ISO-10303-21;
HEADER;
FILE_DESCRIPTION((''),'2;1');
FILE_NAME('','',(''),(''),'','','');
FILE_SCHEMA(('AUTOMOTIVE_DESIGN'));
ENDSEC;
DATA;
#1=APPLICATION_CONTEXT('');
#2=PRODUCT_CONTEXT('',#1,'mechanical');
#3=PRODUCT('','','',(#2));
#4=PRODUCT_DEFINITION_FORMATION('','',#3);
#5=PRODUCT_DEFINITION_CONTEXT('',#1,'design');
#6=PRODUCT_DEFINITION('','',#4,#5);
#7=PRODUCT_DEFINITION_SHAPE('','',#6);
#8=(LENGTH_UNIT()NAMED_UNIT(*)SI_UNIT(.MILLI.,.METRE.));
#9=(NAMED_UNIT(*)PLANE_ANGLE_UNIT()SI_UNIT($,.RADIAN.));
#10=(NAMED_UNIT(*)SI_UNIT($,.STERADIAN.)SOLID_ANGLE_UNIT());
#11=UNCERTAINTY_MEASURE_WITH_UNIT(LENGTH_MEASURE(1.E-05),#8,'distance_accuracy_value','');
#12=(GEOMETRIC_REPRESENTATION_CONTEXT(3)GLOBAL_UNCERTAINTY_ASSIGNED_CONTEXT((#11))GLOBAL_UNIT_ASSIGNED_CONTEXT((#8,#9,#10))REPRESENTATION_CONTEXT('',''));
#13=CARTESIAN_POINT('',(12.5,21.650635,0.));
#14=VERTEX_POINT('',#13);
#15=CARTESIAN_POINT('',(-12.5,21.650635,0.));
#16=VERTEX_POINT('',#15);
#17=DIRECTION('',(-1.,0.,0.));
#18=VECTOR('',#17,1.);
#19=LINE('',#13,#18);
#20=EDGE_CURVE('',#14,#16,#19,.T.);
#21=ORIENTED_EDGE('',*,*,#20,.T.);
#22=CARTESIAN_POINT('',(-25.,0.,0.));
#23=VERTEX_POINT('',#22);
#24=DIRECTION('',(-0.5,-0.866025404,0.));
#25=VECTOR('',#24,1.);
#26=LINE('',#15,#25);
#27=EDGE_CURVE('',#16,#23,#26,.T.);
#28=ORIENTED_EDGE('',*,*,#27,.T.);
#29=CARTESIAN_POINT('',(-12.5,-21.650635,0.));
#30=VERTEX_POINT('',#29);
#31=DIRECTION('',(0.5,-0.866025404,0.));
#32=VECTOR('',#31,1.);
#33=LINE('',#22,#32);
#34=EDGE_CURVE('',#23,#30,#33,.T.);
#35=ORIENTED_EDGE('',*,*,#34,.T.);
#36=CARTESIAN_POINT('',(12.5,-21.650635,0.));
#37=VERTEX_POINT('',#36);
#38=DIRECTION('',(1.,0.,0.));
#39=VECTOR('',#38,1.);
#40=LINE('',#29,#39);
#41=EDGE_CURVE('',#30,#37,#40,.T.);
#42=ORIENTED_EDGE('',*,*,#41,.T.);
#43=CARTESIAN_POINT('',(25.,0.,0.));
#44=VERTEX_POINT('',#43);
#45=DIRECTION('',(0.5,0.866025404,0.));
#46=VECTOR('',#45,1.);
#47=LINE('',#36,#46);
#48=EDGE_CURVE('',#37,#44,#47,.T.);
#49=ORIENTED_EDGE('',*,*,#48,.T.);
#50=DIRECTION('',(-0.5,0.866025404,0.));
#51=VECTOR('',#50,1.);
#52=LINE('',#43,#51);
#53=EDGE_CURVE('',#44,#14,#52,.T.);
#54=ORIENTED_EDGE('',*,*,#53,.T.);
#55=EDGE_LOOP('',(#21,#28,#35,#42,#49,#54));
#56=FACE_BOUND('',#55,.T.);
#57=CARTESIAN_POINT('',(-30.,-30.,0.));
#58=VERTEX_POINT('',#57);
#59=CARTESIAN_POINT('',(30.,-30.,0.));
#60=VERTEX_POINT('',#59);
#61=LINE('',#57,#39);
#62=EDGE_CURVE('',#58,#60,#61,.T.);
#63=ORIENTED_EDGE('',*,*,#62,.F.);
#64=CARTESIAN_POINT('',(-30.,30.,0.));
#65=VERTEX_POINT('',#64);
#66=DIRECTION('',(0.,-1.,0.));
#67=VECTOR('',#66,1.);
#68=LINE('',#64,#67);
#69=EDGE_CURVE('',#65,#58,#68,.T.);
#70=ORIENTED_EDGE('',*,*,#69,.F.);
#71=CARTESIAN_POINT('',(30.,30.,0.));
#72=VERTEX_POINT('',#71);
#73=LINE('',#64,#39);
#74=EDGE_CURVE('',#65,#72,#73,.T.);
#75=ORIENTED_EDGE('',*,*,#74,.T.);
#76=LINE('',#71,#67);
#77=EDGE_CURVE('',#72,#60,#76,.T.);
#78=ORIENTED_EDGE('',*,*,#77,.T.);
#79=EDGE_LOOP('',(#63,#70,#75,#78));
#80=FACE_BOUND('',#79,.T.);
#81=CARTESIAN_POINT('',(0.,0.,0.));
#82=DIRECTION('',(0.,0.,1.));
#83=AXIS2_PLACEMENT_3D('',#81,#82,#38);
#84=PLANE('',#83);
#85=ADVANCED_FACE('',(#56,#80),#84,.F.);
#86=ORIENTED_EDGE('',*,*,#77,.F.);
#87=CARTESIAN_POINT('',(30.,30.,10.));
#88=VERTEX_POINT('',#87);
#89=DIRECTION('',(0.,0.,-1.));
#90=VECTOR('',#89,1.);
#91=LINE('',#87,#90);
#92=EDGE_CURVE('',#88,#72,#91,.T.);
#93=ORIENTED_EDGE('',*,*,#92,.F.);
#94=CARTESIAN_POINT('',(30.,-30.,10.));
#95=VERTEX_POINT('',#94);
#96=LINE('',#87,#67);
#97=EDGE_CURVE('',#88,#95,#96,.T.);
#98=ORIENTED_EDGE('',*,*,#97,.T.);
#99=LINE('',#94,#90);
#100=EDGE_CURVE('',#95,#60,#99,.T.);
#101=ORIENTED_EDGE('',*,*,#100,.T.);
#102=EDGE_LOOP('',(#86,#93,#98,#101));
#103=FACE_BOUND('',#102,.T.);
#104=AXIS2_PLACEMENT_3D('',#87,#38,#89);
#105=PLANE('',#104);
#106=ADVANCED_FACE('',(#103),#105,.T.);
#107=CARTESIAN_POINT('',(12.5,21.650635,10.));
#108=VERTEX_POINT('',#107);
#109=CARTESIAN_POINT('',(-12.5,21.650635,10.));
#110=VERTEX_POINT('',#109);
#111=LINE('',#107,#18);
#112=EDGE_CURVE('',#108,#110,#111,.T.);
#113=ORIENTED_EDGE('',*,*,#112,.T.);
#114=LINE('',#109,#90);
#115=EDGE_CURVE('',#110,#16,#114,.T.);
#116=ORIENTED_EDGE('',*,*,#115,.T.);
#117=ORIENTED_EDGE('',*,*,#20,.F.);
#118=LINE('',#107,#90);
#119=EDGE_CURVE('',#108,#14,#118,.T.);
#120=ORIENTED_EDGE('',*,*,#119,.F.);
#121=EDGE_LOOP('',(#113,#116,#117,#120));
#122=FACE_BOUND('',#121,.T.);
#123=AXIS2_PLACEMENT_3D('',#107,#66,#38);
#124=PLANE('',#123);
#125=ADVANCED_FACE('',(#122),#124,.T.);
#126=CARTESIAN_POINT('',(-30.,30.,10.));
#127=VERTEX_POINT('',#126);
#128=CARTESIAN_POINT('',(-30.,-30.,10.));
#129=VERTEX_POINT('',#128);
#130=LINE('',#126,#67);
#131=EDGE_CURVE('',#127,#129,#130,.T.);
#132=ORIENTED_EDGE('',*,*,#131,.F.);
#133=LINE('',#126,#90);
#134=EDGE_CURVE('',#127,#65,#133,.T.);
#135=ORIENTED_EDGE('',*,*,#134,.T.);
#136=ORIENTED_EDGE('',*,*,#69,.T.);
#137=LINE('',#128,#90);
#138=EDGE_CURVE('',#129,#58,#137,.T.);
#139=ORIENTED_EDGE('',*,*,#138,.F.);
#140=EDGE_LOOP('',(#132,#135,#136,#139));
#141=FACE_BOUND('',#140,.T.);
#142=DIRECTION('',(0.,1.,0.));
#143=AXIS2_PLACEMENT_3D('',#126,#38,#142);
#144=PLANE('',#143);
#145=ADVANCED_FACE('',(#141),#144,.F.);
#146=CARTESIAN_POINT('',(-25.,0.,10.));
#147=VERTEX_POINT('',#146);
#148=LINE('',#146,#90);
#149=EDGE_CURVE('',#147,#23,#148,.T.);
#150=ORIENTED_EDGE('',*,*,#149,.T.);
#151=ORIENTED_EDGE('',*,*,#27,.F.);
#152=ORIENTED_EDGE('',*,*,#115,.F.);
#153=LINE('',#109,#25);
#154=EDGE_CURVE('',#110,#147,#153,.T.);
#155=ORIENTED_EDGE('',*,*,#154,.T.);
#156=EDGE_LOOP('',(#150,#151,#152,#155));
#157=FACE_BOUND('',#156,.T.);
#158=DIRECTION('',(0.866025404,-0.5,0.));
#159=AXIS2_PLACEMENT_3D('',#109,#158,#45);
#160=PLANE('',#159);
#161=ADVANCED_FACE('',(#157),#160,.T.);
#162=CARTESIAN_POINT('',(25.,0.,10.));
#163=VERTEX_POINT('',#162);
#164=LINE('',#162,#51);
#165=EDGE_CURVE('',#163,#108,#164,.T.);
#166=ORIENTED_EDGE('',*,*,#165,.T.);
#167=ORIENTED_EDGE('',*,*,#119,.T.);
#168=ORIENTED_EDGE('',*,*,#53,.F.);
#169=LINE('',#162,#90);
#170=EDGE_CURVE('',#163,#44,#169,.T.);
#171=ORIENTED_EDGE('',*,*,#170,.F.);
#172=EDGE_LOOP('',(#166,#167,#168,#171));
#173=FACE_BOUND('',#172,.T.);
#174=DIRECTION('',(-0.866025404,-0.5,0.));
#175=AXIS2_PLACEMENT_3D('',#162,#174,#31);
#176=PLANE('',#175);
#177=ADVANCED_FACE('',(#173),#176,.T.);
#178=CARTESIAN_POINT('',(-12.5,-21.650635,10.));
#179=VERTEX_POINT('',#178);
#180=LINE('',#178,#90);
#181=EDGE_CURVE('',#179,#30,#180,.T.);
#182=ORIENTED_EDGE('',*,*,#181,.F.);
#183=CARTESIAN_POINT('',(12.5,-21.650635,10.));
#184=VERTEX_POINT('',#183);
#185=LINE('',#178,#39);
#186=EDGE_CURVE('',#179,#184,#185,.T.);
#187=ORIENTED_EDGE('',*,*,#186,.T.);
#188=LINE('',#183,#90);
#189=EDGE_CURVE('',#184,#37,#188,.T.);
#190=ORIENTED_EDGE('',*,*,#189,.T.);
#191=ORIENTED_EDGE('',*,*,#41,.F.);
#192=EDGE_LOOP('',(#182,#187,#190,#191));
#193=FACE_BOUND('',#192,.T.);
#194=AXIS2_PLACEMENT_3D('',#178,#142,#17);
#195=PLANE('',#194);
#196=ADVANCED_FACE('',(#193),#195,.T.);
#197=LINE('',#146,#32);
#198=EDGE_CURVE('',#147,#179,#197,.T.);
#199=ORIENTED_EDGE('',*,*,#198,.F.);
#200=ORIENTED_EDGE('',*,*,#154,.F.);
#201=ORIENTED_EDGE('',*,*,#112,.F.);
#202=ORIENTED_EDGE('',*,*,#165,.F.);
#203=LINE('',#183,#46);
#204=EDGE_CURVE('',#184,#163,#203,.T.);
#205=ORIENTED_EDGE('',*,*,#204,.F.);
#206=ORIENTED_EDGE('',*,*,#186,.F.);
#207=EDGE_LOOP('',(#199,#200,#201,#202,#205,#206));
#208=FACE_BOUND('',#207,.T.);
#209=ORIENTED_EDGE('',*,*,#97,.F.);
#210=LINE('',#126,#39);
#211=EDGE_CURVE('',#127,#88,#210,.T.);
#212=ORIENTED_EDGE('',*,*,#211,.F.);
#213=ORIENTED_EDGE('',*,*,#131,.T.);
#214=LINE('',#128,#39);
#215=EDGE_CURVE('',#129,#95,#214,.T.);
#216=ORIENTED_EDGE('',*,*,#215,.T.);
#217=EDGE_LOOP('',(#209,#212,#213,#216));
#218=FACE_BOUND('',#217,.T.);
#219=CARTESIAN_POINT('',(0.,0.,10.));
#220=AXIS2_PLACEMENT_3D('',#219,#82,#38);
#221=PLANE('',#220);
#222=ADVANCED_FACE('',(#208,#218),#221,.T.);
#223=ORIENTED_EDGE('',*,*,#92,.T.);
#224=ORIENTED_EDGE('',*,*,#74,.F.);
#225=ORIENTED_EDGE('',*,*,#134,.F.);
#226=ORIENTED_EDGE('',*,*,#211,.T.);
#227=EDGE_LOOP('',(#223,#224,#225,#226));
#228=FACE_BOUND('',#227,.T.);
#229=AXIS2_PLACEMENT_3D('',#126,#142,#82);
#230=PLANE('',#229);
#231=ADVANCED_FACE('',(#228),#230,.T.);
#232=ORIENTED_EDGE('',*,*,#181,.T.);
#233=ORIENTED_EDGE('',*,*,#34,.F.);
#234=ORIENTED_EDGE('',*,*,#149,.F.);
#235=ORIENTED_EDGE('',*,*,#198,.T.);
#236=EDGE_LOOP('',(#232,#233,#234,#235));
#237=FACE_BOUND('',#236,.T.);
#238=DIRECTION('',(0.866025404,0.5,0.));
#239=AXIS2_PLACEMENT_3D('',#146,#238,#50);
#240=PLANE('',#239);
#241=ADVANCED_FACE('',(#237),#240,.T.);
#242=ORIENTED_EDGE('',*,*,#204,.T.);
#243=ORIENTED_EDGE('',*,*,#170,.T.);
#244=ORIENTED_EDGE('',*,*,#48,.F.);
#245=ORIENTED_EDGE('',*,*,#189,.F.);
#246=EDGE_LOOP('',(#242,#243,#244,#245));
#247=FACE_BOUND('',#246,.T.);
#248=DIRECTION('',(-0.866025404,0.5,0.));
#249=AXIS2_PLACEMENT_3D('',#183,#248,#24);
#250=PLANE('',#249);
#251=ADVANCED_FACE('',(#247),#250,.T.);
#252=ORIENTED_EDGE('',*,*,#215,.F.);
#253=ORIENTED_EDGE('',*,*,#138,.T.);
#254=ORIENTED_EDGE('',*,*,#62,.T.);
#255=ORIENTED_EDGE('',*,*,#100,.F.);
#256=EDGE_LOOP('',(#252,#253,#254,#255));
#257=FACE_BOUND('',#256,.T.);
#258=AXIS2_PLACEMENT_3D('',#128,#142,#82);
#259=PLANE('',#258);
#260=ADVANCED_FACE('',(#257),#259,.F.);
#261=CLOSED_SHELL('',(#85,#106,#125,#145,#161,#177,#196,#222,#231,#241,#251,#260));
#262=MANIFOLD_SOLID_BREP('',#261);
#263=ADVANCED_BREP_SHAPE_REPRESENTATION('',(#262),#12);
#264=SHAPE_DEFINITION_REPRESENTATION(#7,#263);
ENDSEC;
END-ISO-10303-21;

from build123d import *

# Parameters (mm, degrees)
SCHIZZO1_W                   = 60
SCHIZZO1_H                   = 60
ESTRUSIONE_ESTRUSIONE1_DEPTH = 10


with BuildPart() as part:
    # Schizzo1 → Estrusione-Estrusione1 (new body)
    with BuildSketch(Plane.XY):
        Rectangle(SCHIZZO1_W, SCHIZZO1_H)
        Polygon((12.5, -21.650635095), (25, 0), (12.5, 21.650635095), (-12.5, 21.650635095), (-25, 0), (-12.5, -21.650635095), align=None, mode=Mode.SUBTRACT)
    extrude(amount=ESTRUSIONE_ESTRUSIONE1_DEPTH)


solid = part.part
